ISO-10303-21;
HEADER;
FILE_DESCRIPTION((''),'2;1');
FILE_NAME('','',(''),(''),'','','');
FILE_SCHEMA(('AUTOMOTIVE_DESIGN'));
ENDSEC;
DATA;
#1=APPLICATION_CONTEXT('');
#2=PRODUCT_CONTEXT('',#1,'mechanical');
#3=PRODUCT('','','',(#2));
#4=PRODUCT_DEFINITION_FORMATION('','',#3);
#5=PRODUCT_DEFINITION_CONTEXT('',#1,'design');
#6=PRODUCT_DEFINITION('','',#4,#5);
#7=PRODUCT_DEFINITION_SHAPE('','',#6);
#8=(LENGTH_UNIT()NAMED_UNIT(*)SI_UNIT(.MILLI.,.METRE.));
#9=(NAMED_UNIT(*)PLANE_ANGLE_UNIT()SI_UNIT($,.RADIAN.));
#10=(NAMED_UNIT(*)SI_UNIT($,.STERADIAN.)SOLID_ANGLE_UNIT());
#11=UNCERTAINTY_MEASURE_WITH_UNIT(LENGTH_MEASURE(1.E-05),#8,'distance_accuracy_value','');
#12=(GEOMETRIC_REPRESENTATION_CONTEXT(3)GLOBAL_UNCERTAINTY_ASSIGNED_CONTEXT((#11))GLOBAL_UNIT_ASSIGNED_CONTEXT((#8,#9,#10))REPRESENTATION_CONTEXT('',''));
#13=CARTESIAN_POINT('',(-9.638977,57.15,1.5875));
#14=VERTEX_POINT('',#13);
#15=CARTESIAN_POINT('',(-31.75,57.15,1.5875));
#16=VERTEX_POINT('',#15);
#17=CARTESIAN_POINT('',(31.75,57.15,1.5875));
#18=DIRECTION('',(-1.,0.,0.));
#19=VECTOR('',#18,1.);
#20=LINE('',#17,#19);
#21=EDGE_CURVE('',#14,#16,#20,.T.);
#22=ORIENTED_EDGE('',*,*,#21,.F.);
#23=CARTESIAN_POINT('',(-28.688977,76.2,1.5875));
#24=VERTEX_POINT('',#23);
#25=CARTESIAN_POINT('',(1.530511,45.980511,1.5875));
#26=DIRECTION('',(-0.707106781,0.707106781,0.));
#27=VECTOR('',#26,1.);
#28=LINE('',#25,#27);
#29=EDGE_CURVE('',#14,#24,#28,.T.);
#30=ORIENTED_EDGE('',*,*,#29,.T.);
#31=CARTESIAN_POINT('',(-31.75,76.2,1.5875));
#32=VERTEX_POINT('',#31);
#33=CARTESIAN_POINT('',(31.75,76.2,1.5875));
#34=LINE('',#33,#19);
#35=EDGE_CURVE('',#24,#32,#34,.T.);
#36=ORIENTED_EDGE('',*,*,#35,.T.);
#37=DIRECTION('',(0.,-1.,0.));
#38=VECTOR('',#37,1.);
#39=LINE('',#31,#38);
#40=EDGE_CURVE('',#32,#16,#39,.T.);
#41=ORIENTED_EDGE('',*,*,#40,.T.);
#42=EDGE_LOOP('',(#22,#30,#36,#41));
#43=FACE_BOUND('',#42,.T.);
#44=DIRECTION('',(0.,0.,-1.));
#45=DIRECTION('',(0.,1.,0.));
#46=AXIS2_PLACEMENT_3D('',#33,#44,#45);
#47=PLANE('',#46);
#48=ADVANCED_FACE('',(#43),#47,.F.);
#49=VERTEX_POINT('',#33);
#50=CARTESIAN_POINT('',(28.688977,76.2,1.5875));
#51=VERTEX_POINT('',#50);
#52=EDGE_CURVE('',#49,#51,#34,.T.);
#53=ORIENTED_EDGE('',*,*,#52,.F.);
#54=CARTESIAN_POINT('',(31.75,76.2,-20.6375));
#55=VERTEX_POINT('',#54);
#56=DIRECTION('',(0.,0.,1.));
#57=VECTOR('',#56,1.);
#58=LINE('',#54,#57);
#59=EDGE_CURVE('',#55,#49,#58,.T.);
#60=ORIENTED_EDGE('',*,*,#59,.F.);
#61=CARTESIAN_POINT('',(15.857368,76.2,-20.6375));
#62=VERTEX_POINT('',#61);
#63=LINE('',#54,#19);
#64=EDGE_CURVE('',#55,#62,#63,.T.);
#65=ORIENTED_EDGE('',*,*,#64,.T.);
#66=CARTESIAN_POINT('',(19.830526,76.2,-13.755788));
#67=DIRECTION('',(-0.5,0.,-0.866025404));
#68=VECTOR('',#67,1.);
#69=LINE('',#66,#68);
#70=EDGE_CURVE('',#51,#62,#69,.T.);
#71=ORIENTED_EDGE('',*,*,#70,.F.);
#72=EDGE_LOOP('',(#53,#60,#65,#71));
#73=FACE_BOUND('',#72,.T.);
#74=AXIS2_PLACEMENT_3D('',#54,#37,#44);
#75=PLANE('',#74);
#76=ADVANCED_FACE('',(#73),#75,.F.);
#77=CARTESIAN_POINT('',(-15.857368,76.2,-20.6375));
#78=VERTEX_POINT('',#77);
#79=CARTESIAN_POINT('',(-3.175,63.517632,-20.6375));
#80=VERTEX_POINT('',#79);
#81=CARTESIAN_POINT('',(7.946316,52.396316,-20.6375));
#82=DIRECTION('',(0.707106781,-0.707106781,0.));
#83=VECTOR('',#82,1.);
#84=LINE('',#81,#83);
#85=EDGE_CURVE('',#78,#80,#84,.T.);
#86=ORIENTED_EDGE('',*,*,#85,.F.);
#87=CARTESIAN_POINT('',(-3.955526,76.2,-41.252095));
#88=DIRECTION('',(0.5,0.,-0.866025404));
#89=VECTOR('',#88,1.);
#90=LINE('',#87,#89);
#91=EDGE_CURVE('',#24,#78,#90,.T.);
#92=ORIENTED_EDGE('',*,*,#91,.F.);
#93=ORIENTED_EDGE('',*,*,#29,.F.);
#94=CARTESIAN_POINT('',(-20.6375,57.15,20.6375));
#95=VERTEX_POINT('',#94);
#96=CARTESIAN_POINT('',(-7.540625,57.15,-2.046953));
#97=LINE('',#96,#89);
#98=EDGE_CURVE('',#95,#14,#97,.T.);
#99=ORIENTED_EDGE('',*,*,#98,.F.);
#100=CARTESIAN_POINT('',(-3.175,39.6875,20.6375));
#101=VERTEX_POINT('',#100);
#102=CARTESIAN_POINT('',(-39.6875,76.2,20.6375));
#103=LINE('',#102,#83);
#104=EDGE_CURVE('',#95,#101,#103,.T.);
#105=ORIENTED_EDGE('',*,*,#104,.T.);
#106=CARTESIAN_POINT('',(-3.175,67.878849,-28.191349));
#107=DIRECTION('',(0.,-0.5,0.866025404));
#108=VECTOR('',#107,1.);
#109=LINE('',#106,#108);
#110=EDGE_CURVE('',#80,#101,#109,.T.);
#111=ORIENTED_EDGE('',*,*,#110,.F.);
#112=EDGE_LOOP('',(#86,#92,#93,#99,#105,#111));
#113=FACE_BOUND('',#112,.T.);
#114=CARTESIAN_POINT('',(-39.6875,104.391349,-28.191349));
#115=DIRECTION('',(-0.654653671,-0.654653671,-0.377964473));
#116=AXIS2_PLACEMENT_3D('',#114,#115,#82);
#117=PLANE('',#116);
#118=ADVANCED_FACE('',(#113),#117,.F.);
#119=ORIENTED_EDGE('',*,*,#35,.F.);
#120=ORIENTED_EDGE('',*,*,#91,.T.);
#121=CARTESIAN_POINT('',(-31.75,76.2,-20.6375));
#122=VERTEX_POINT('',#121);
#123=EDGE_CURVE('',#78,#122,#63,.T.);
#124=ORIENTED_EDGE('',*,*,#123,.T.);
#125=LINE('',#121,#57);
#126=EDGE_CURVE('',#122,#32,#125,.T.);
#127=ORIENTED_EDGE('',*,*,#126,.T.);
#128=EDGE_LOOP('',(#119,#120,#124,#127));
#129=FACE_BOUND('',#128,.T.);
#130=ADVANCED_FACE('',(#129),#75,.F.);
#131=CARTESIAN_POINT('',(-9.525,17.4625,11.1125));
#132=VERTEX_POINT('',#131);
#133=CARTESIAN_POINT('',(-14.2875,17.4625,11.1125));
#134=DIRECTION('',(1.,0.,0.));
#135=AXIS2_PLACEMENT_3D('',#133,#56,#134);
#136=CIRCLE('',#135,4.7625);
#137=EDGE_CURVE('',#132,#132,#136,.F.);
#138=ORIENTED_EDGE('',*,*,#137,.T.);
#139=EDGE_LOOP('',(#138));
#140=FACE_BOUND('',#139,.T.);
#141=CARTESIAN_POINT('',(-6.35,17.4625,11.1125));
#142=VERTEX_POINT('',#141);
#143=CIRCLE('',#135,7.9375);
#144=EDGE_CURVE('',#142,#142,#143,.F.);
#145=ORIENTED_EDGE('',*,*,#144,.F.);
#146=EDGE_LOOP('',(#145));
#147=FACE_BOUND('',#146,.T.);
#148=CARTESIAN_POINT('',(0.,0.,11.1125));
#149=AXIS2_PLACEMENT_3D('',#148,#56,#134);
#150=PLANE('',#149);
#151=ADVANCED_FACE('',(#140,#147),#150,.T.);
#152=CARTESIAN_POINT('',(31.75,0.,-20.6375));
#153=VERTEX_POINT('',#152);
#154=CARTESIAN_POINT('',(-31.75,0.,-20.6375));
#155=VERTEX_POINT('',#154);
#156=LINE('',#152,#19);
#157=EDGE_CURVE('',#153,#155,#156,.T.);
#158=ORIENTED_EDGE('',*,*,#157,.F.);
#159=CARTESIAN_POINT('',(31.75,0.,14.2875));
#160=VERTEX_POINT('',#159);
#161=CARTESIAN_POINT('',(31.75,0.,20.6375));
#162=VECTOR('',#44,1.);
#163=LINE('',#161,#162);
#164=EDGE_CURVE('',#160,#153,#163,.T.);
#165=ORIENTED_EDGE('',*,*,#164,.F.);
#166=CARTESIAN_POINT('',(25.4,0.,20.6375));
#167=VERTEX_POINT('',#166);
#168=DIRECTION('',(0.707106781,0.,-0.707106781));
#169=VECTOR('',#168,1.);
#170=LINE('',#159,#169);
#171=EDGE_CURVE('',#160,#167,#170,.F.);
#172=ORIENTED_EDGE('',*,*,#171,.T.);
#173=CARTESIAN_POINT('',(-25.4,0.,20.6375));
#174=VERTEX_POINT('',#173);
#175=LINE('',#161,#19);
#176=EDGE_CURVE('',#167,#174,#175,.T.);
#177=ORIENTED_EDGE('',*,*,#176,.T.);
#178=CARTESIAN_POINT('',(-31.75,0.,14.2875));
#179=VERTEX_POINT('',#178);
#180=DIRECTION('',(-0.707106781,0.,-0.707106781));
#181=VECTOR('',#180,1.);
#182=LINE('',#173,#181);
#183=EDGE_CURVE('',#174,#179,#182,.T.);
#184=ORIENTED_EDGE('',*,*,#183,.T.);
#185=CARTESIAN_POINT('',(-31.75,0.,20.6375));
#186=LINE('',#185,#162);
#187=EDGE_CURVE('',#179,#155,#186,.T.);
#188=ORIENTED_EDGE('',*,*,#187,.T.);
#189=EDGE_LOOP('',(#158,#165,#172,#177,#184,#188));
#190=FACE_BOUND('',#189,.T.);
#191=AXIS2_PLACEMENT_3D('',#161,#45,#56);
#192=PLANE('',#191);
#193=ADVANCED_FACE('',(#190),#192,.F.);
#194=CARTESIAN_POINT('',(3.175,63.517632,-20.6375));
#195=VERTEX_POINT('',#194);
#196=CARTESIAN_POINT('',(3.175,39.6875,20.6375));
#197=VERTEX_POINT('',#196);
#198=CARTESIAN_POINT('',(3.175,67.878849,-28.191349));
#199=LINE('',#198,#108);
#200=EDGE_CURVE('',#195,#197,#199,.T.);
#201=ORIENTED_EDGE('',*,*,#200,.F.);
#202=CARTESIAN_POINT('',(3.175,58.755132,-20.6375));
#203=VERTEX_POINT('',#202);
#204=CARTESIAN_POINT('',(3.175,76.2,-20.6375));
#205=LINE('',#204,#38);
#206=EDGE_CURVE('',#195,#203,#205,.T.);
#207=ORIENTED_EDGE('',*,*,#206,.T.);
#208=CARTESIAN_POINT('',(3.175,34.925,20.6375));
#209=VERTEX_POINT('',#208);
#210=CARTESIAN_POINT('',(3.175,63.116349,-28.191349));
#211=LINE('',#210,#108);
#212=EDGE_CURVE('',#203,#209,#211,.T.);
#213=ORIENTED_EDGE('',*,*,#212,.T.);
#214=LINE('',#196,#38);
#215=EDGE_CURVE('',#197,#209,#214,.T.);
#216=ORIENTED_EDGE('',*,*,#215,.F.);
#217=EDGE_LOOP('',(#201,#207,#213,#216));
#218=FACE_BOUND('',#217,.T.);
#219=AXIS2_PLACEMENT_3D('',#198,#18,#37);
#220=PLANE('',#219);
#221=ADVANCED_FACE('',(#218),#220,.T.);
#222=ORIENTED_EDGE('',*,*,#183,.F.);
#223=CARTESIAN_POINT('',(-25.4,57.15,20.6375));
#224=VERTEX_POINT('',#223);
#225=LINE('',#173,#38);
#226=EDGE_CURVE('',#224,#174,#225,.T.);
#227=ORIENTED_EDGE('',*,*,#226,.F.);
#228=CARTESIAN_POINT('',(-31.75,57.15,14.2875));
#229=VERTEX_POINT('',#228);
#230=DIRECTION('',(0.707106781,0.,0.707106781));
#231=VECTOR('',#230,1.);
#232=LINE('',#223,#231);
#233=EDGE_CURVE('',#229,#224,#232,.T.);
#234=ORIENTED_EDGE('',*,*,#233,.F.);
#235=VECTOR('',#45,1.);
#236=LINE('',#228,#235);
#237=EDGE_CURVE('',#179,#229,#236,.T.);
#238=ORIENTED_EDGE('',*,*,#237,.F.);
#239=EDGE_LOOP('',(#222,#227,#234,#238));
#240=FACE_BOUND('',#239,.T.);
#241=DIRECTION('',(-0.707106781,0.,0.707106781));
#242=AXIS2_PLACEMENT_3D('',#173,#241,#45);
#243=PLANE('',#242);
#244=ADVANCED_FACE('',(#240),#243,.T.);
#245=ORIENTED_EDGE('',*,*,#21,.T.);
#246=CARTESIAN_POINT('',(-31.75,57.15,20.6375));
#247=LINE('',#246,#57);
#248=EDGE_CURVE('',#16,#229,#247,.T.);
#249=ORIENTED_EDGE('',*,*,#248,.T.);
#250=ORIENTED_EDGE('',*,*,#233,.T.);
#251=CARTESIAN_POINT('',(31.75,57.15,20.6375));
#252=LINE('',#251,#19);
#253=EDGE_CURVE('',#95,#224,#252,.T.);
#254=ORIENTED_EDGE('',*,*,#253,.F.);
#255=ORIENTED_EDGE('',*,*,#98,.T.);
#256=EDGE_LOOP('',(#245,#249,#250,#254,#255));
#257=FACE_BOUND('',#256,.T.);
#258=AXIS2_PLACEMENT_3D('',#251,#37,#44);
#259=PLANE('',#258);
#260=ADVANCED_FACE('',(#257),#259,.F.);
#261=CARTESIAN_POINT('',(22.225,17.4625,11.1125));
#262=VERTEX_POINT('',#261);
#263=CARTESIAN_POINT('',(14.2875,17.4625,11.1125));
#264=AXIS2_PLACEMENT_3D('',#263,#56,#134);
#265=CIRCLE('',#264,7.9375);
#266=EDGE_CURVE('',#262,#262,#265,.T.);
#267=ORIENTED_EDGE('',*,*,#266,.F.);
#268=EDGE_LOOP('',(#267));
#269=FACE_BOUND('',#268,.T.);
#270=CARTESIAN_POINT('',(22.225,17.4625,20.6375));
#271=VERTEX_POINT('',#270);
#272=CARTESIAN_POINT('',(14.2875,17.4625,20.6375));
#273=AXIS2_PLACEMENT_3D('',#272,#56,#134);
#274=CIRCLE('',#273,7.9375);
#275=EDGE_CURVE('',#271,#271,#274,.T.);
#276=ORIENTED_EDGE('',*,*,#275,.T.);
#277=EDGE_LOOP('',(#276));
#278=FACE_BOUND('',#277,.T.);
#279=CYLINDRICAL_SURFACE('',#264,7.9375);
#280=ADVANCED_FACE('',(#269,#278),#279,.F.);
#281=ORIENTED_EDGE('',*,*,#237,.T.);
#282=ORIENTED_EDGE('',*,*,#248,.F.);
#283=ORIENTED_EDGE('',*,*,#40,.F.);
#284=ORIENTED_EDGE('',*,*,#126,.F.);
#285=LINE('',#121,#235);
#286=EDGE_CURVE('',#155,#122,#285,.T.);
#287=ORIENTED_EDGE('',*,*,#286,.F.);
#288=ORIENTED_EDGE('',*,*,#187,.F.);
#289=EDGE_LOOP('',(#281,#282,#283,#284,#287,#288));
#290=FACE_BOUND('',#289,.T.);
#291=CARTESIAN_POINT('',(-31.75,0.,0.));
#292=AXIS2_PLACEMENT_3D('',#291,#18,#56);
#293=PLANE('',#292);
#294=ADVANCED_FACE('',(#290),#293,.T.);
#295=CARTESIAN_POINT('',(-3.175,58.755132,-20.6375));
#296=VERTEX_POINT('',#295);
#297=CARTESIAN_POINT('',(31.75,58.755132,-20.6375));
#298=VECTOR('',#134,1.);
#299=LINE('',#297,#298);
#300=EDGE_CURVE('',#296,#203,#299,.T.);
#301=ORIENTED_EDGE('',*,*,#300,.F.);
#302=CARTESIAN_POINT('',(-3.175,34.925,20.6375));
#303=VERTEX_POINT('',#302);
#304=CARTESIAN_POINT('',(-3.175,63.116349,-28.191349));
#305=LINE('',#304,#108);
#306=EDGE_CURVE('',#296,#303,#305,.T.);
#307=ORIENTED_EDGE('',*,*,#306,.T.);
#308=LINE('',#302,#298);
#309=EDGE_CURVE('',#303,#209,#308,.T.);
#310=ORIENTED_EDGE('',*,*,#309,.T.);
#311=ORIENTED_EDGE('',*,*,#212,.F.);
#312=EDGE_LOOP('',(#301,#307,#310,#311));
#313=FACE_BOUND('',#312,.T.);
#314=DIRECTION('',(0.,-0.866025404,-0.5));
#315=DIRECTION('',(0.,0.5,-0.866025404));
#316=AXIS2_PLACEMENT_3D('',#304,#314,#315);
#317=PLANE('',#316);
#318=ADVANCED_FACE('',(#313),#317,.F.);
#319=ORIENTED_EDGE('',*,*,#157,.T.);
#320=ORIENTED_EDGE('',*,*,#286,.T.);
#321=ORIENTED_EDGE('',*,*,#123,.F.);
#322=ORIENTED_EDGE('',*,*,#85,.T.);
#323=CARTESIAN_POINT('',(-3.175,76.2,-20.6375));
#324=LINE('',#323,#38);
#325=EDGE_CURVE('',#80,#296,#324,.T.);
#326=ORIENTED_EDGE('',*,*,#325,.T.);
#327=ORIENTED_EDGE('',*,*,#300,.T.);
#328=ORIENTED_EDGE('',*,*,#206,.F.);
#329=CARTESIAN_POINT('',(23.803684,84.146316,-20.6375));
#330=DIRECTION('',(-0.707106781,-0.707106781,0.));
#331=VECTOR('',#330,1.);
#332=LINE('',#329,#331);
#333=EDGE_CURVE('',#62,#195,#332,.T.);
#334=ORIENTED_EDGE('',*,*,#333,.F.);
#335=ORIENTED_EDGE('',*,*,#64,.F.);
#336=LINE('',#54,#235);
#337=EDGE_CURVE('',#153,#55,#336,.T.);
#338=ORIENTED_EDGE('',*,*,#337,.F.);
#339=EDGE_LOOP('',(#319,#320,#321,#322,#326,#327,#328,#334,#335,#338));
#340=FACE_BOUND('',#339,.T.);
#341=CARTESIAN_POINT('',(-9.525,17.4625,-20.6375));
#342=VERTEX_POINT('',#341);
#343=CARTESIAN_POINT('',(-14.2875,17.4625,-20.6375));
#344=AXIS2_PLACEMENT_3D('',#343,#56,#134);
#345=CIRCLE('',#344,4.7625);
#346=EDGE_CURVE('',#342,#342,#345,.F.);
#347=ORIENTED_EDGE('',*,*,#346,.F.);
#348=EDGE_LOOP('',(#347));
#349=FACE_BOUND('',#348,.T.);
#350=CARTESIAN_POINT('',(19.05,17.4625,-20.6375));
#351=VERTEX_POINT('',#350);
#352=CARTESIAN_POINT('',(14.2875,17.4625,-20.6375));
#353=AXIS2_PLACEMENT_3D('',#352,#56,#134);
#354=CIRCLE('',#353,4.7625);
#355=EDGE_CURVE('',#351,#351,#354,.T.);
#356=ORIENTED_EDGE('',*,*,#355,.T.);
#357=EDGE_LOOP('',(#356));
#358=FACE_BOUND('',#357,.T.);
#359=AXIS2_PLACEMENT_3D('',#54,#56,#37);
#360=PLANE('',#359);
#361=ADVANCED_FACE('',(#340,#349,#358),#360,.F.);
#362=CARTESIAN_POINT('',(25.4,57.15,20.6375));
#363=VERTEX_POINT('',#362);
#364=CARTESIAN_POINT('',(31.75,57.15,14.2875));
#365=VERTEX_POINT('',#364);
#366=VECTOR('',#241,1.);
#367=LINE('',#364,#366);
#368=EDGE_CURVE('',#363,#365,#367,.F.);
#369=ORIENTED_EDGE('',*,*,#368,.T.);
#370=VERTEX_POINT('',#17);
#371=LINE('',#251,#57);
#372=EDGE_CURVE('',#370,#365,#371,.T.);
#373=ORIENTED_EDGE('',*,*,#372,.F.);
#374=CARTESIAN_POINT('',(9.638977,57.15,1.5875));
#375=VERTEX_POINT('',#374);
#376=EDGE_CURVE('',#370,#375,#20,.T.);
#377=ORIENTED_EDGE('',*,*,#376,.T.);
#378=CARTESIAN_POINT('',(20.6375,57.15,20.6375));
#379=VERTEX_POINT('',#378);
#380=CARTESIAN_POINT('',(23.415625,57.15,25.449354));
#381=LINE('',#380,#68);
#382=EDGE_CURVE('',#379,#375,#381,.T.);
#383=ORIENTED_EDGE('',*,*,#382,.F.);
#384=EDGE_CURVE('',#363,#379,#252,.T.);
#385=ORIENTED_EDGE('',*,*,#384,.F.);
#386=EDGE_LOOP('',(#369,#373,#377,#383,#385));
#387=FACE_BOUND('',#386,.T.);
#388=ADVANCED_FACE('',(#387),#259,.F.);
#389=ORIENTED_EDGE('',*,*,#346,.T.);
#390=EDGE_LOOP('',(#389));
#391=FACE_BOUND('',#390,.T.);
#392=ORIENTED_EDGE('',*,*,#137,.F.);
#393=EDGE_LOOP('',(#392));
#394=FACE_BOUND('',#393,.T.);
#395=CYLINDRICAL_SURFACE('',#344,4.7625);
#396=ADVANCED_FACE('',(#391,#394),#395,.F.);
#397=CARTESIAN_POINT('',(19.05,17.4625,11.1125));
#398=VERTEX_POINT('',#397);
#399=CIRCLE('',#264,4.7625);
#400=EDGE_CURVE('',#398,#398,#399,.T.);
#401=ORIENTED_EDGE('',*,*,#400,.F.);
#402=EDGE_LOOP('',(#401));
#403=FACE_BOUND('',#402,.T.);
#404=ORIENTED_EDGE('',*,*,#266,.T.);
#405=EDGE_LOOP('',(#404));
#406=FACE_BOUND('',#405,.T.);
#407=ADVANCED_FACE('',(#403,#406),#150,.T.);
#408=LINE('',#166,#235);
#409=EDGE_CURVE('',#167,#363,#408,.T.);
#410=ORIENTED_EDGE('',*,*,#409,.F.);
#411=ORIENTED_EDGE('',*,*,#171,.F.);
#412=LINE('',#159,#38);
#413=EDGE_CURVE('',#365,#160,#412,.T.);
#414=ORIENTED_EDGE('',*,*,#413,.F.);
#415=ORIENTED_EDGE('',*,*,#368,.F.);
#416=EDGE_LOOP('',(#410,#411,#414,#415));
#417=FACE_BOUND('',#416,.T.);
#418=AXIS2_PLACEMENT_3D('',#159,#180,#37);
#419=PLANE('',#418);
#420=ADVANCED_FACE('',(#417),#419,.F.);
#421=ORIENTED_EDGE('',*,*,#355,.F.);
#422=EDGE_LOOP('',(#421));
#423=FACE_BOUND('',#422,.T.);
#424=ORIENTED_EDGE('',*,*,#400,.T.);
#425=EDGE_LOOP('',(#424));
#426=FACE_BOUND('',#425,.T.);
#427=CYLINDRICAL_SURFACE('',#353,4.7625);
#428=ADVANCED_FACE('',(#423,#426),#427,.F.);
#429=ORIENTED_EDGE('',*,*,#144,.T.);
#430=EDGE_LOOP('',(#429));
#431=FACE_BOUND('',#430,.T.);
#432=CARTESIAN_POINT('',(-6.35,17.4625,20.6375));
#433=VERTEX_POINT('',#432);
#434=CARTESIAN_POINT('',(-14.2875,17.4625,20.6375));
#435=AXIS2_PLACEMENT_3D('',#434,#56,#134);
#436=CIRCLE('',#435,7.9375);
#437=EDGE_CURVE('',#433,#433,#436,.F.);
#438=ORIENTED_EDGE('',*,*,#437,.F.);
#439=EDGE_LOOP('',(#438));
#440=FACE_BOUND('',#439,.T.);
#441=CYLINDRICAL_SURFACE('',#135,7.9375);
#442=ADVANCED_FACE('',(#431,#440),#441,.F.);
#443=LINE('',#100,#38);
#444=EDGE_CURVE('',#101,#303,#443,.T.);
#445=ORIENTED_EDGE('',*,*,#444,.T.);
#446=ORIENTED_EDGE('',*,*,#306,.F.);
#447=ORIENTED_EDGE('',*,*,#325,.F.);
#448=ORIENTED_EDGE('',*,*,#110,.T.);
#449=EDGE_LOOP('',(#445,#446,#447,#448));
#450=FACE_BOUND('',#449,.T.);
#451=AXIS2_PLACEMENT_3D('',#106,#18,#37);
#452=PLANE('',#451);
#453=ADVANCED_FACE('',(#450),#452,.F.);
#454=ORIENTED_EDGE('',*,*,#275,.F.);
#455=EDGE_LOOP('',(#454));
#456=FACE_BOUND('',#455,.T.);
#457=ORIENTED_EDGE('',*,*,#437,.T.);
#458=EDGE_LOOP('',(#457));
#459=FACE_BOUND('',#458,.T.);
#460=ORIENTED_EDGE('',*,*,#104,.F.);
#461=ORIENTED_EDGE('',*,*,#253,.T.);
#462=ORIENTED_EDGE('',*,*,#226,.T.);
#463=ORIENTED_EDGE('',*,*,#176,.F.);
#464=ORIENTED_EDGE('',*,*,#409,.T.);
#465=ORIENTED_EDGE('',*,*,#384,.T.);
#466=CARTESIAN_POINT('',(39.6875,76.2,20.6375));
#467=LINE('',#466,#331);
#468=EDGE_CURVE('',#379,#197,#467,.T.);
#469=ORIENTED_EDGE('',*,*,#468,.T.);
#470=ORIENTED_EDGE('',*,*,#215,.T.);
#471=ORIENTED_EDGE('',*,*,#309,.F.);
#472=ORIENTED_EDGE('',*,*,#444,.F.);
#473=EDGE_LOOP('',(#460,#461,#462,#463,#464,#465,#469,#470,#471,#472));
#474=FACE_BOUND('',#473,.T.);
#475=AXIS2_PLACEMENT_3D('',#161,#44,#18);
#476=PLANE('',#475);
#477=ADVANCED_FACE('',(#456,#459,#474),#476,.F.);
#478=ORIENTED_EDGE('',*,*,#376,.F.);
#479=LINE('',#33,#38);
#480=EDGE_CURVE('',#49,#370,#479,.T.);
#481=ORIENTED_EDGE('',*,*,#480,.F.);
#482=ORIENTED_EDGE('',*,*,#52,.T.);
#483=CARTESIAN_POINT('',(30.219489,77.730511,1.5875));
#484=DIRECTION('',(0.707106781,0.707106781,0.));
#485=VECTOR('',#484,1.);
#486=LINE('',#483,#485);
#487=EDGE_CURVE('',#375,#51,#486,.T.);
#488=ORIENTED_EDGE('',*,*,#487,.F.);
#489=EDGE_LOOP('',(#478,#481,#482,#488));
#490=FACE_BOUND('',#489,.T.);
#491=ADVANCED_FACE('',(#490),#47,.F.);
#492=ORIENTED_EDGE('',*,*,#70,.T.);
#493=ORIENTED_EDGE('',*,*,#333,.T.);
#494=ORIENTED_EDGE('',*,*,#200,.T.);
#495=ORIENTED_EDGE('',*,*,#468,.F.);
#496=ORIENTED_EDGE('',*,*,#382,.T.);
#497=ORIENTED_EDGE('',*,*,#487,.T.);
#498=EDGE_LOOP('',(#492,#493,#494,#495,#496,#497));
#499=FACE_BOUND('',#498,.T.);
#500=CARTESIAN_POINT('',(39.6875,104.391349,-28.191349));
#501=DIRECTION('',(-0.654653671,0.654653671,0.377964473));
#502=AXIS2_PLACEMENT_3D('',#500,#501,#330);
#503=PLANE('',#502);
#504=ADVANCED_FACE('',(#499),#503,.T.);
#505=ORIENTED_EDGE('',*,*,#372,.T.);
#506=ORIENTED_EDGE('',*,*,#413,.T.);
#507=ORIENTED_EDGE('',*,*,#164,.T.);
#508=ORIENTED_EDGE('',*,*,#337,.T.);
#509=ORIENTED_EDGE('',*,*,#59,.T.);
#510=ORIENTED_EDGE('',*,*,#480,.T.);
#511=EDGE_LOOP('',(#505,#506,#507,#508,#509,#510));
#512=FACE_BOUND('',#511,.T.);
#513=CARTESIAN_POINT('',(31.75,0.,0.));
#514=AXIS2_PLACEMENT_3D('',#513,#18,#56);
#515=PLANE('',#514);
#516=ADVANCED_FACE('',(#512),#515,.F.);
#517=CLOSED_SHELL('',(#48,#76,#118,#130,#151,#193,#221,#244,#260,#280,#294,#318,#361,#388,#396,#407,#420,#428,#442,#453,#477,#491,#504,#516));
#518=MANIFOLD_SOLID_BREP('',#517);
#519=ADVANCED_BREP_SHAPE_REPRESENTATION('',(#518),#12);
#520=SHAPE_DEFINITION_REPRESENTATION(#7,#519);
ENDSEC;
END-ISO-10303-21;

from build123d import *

# Parameters (mm, degrees)
BOSS_EXTRUDE1_DEPTH = 31.75
SKETCH2_R           = 7.9375
CUT_EXTRUDE1_DEPTH  = 9.525
SKETCH2_4_R         = 4.7625
CUT_EXTRUDE2_DEPTH  = 93.293705771
CUT_EXTRUDE3_DEPTH  = 107.726292282
CHAMFER1_SIZE       = 6.35


with BuildPart() as part:
    # Sketch1 → Boss-Extrude1 (new, symmetric)
    with BuildSketch(Plane(origin=(0, 0, 0), x_dir=(0, 0, -1), z_dir=(1, 0, 0))):
        Polygon((20.6375, 76.2), (20.6375, 0), (-20.6375, 0), (-20.6375, 57.15), (-1.5875, 57.15), (-1.5875, 76.2), align=None)
    extrude(amount=BOSS_EXTRUDE1_DEPTH, both=True)

    # Sketch2 → Cut-Extrude1 (cut)
    with BuildSketch(Plane.XY.offset(20.6375)):
        with Locations((14.2875, 17.4625)):
            Circle(SKETCH2_R)
        with Locations((-14.2875, 17.4625)):
            Circle(SKETCH2_R)
    extrude(amount=-CUT_EXTRUDE1_DEPTH, mode=Mode.SUBTRACT)

    # Sketch2<4> → Cut-Extrude2 (cut, through all)
    with BuildSketch(Plane.XY.offset(20.6375)):
        with Locations((14.2875, 17.4625)):
            Circle(SKETCH2_4_R)
        with Locations((-14.2875, 17.4625)):
            Circle(SKETCH2_4_R)
    extrude(amount=-CUT_EXTRUDE2_DEPTH, mode=Mode.SUBTRACT)

    # Sketch3 → Cut-Extrude3 (cut, through all, along a direction that is not the sketch's normal)
    with BuildSketch(Plane.XY.offset(20.6375)):
        Polygon((-39.6875, 76.2), (-3.175, 39.6875), (-3.175, 34.925), (3.175, 34.925), (3.175, 39.6875), (39.6875, 76.2), align=None)
    extrude(amount=-CUT_EXTRUDE3_DEPTH, dir=(0, -0.49999999999999806, 0.8660254037844398), mode=Mode.SUBTRACT)

    # Chamfer1
    chamfer1_edges = [part.edges().sort_by_distance(p)[0] for p in [
        (-31.75, 28.575, 20.6375),
        (31.75, 28.575, 20.6375),
    ]]
    chamfer(chamfer1_edges, length=CHAMFER1_SIZE)


solid = part.part
